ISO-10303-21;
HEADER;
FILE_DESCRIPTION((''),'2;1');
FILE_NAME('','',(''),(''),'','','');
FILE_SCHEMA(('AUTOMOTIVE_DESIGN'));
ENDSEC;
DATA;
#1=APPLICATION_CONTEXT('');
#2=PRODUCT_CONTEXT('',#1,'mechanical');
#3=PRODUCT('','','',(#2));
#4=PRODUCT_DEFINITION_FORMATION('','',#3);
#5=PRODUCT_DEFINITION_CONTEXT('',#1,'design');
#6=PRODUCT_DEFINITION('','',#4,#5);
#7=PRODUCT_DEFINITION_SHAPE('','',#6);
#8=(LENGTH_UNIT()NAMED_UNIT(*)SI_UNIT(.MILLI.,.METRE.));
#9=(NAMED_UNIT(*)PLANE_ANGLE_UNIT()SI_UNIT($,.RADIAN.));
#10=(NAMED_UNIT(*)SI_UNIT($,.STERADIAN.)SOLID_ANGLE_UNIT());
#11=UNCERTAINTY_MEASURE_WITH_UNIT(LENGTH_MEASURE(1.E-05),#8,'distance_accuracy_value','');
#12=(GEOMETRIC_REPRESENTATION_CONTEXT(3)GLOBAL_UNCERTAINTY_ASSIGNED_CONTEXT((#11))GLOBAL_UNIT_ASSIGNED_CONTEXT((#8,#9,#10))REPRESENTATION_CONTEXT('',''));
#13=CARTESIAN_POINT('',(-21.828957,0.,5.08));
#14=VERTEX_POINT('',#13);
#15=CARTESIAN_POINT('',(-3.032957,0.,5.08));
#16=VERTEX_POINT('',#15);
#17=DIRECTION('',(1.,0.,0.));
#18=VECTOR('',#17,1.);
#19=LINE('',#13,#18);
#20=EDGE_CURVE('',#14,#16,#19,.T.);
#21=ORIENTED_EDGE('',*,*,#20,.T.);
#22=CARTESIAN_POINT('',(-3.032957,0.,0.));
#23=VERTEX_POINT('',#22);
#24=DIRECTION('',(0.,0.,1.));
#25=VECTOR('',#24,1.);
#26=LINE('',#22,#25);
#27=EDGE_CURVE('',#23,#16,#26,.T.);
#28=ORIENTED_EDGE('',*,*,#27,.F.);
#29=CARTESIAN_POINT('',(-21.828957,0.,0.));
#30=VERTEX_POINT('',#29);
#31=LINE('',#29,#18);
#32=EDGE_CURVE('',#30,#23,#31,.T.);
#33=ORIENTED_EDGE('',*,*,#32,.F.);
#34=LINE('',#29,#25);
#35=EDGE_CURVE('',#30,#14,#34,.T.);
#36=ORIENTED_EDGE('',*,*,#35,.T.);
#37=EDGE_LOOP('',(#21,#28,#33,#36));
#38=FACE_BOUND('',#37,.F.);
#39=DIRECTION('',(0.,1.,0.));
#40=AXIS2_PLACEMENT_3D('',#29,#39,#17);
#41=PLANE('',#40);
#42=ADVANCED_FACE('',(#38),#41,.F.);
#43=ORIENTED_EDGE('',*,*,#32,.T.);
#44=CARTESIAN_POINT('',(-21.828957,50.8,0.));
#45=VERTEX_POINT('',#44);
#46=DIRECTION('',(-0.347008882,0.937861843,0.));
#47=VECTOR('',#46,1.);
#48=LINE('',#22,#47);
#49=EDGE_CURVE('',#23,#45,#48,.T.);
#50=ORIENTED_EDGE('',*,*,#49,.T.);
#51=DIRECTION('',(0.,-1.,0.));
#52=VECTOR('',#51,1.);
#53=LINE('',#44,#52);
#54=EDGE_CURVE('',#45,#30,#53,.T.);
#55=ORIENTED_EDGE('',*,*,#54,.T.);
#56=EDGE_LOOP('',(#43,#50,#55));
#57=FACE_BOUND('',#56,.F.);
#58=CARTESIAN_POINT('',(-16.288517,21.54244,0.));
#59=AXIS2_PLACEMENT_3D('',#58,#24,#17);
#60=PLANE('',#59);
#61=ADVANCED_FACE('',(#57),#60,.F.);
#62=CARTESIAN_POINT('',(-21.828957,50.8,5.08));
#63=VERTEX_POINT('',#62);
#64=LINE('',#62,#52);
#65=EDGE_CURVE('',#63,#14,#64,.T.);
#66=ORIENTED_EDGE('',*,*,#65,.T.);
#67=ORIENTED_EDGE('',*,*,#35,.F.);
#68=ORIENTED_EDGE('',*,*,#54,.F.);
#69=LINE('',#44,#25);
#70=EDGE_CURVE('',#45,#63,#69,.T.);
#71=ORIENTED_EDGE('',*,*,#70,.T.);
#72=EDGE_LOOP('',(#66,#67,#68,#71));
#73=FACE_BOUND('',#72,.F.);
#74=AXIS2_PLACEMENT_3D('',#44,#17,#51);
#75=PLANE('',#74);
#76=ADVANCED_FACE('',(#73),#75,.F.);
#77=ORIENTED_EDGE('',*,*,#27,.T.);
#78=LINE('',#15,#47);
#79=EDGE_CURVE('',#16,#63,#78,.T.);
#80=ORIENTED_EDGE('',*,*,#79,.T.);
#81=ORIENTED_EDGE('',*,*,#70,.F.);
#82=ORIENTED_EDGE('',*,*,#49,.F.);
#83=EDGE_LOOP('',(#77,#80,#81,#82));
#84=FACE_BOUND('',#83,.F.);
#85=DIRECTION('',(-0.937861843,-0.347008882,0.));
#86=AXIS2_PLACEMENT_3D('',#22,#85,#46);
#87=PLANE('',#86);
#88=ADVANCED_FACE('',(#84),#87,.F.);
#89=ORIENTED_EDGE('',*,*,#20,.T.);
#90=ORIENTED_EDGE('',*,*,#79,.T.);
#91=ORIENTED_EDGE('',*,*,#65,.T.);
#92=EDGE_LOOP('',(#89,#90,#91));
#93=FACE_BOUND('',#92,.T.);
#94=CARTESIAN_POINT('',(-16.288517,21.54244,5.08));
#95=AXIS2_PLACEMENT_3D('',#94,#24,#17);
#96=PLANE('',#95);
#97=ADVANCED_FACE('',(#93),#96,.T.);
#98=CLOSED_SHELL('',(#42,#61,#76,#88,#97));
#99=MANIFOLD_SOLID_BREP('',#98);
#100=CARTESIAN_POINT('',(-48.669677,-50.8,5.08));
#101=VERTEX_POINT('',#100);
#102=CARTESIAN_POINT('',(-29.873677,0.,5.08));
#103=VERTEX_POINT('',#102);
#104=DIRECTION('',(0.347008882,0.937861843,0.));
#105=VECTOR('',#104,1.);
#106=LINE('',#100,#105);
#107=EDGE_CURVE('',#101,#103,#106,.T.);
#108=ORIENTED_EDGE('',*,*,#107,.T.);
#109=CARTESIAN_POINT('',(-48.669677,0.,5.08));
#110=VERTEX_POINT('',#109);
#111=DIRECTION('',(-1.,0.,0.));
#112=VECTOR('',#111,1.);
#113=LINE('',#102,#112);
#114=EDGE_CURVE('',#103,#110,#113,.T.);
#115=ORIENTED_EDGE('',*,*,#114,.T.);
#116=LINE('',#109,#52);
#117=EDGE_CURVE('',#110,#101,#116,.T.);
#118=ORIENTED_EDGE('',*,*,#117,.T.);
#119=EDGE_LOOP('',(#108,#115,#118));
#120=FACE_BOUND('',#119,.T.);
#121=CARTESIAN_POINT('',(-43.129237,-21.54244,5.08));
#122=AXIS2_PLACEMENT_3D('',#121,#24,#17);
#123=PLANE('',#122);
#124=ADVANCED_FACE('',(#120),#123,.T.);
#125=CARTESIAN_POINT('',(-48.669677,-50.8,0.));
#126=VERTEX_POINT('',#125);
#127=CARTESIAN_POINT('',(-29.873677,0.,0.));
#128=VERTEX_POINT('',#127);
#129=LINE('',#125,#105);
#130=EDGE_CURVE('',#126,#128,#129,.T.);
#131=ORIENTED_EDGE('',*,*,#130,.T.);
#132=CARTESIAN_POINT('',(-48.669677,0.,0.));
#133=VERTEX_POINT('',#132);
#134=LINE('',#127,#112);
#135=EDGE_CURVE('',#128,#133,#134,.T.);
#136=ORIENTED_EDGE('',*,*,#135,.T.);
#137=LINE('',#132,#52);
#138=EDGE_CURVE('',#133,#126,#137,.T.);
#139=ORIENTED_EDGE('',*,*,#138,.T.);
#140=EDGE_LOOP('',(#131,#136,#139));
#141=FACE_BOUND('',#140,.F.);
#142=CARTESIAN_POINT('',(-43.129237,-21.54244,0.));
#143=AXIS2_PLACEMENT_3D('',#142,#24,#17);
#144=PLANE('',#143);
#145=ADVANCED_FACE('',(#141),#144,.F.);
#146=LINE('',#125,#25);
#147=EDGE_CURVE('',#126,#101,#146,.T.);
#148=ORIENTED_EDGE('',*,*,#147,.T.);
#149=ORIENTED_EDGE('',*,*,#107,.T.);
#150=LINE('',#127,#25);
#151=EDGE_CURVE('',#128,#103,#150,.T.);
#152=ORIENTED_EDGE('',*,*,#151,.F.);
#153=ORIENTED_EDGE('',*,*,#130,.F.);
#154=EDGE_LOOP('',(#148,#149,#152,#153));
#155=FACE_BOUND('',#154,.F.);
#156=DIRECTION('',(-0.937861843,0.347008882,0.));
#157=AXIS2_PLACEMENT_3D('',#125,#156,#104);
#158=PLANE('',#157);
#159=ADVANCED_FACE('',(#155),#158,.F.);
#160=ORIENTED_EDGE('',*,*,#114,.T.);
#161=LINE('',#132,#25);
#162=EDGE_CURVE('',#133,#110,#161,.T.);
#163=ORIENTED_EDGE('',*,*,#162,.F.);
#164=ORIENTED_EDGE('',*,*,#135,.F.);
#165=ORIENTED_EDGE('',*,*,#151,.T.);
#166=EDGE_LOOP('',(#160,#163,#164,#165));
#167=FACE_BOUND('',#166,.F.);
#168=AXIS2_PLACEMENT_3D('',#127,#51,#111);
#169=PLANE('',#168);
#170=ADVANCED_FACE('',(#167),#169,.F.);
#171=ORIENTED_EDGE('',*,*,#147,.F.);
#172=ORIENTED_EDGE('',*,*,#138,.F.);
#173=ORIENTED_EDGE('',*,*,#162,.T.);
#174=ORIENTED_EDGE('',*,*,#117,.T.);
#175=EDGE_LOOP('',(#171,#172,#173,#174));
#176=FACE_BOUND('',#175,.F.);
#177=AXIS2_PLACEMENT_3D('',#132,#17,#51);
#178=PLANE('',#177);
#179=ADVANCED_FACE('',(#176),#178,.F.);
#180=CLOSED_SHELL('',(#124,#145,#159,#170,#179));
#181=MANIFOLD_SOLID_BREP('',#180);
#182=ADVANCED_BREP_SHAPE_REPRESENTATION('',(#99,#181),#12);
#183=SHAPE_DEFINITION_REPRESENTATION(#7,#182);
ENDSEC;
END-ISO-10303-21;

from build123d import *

# Parameters (mm, degrees)
F1_DEPTH = 5.08
F3_DEPTH = 5.08


with BuildPart() as f1:
    # F0 (on Top) → F1 (new body)
    with BuildSketch(Plane.XY):
        Polygon((-29.873677, 0), (-48.669677, 0), (-48.669677, -50.8), align=None)
    extrude(amount=F1_DEPTH)


with BuildPart() as f3:
    # F2 (on Top) → F3 (new body)
    with BuildSketch(Plane.XY):
        Polygon((-21.828957, 50.8), (-21.828957, 0), (-3.032957, 0), align=None)
    extrude(amount=F3_DEPTH)


solid = Compound([f1.part, f3.part])
